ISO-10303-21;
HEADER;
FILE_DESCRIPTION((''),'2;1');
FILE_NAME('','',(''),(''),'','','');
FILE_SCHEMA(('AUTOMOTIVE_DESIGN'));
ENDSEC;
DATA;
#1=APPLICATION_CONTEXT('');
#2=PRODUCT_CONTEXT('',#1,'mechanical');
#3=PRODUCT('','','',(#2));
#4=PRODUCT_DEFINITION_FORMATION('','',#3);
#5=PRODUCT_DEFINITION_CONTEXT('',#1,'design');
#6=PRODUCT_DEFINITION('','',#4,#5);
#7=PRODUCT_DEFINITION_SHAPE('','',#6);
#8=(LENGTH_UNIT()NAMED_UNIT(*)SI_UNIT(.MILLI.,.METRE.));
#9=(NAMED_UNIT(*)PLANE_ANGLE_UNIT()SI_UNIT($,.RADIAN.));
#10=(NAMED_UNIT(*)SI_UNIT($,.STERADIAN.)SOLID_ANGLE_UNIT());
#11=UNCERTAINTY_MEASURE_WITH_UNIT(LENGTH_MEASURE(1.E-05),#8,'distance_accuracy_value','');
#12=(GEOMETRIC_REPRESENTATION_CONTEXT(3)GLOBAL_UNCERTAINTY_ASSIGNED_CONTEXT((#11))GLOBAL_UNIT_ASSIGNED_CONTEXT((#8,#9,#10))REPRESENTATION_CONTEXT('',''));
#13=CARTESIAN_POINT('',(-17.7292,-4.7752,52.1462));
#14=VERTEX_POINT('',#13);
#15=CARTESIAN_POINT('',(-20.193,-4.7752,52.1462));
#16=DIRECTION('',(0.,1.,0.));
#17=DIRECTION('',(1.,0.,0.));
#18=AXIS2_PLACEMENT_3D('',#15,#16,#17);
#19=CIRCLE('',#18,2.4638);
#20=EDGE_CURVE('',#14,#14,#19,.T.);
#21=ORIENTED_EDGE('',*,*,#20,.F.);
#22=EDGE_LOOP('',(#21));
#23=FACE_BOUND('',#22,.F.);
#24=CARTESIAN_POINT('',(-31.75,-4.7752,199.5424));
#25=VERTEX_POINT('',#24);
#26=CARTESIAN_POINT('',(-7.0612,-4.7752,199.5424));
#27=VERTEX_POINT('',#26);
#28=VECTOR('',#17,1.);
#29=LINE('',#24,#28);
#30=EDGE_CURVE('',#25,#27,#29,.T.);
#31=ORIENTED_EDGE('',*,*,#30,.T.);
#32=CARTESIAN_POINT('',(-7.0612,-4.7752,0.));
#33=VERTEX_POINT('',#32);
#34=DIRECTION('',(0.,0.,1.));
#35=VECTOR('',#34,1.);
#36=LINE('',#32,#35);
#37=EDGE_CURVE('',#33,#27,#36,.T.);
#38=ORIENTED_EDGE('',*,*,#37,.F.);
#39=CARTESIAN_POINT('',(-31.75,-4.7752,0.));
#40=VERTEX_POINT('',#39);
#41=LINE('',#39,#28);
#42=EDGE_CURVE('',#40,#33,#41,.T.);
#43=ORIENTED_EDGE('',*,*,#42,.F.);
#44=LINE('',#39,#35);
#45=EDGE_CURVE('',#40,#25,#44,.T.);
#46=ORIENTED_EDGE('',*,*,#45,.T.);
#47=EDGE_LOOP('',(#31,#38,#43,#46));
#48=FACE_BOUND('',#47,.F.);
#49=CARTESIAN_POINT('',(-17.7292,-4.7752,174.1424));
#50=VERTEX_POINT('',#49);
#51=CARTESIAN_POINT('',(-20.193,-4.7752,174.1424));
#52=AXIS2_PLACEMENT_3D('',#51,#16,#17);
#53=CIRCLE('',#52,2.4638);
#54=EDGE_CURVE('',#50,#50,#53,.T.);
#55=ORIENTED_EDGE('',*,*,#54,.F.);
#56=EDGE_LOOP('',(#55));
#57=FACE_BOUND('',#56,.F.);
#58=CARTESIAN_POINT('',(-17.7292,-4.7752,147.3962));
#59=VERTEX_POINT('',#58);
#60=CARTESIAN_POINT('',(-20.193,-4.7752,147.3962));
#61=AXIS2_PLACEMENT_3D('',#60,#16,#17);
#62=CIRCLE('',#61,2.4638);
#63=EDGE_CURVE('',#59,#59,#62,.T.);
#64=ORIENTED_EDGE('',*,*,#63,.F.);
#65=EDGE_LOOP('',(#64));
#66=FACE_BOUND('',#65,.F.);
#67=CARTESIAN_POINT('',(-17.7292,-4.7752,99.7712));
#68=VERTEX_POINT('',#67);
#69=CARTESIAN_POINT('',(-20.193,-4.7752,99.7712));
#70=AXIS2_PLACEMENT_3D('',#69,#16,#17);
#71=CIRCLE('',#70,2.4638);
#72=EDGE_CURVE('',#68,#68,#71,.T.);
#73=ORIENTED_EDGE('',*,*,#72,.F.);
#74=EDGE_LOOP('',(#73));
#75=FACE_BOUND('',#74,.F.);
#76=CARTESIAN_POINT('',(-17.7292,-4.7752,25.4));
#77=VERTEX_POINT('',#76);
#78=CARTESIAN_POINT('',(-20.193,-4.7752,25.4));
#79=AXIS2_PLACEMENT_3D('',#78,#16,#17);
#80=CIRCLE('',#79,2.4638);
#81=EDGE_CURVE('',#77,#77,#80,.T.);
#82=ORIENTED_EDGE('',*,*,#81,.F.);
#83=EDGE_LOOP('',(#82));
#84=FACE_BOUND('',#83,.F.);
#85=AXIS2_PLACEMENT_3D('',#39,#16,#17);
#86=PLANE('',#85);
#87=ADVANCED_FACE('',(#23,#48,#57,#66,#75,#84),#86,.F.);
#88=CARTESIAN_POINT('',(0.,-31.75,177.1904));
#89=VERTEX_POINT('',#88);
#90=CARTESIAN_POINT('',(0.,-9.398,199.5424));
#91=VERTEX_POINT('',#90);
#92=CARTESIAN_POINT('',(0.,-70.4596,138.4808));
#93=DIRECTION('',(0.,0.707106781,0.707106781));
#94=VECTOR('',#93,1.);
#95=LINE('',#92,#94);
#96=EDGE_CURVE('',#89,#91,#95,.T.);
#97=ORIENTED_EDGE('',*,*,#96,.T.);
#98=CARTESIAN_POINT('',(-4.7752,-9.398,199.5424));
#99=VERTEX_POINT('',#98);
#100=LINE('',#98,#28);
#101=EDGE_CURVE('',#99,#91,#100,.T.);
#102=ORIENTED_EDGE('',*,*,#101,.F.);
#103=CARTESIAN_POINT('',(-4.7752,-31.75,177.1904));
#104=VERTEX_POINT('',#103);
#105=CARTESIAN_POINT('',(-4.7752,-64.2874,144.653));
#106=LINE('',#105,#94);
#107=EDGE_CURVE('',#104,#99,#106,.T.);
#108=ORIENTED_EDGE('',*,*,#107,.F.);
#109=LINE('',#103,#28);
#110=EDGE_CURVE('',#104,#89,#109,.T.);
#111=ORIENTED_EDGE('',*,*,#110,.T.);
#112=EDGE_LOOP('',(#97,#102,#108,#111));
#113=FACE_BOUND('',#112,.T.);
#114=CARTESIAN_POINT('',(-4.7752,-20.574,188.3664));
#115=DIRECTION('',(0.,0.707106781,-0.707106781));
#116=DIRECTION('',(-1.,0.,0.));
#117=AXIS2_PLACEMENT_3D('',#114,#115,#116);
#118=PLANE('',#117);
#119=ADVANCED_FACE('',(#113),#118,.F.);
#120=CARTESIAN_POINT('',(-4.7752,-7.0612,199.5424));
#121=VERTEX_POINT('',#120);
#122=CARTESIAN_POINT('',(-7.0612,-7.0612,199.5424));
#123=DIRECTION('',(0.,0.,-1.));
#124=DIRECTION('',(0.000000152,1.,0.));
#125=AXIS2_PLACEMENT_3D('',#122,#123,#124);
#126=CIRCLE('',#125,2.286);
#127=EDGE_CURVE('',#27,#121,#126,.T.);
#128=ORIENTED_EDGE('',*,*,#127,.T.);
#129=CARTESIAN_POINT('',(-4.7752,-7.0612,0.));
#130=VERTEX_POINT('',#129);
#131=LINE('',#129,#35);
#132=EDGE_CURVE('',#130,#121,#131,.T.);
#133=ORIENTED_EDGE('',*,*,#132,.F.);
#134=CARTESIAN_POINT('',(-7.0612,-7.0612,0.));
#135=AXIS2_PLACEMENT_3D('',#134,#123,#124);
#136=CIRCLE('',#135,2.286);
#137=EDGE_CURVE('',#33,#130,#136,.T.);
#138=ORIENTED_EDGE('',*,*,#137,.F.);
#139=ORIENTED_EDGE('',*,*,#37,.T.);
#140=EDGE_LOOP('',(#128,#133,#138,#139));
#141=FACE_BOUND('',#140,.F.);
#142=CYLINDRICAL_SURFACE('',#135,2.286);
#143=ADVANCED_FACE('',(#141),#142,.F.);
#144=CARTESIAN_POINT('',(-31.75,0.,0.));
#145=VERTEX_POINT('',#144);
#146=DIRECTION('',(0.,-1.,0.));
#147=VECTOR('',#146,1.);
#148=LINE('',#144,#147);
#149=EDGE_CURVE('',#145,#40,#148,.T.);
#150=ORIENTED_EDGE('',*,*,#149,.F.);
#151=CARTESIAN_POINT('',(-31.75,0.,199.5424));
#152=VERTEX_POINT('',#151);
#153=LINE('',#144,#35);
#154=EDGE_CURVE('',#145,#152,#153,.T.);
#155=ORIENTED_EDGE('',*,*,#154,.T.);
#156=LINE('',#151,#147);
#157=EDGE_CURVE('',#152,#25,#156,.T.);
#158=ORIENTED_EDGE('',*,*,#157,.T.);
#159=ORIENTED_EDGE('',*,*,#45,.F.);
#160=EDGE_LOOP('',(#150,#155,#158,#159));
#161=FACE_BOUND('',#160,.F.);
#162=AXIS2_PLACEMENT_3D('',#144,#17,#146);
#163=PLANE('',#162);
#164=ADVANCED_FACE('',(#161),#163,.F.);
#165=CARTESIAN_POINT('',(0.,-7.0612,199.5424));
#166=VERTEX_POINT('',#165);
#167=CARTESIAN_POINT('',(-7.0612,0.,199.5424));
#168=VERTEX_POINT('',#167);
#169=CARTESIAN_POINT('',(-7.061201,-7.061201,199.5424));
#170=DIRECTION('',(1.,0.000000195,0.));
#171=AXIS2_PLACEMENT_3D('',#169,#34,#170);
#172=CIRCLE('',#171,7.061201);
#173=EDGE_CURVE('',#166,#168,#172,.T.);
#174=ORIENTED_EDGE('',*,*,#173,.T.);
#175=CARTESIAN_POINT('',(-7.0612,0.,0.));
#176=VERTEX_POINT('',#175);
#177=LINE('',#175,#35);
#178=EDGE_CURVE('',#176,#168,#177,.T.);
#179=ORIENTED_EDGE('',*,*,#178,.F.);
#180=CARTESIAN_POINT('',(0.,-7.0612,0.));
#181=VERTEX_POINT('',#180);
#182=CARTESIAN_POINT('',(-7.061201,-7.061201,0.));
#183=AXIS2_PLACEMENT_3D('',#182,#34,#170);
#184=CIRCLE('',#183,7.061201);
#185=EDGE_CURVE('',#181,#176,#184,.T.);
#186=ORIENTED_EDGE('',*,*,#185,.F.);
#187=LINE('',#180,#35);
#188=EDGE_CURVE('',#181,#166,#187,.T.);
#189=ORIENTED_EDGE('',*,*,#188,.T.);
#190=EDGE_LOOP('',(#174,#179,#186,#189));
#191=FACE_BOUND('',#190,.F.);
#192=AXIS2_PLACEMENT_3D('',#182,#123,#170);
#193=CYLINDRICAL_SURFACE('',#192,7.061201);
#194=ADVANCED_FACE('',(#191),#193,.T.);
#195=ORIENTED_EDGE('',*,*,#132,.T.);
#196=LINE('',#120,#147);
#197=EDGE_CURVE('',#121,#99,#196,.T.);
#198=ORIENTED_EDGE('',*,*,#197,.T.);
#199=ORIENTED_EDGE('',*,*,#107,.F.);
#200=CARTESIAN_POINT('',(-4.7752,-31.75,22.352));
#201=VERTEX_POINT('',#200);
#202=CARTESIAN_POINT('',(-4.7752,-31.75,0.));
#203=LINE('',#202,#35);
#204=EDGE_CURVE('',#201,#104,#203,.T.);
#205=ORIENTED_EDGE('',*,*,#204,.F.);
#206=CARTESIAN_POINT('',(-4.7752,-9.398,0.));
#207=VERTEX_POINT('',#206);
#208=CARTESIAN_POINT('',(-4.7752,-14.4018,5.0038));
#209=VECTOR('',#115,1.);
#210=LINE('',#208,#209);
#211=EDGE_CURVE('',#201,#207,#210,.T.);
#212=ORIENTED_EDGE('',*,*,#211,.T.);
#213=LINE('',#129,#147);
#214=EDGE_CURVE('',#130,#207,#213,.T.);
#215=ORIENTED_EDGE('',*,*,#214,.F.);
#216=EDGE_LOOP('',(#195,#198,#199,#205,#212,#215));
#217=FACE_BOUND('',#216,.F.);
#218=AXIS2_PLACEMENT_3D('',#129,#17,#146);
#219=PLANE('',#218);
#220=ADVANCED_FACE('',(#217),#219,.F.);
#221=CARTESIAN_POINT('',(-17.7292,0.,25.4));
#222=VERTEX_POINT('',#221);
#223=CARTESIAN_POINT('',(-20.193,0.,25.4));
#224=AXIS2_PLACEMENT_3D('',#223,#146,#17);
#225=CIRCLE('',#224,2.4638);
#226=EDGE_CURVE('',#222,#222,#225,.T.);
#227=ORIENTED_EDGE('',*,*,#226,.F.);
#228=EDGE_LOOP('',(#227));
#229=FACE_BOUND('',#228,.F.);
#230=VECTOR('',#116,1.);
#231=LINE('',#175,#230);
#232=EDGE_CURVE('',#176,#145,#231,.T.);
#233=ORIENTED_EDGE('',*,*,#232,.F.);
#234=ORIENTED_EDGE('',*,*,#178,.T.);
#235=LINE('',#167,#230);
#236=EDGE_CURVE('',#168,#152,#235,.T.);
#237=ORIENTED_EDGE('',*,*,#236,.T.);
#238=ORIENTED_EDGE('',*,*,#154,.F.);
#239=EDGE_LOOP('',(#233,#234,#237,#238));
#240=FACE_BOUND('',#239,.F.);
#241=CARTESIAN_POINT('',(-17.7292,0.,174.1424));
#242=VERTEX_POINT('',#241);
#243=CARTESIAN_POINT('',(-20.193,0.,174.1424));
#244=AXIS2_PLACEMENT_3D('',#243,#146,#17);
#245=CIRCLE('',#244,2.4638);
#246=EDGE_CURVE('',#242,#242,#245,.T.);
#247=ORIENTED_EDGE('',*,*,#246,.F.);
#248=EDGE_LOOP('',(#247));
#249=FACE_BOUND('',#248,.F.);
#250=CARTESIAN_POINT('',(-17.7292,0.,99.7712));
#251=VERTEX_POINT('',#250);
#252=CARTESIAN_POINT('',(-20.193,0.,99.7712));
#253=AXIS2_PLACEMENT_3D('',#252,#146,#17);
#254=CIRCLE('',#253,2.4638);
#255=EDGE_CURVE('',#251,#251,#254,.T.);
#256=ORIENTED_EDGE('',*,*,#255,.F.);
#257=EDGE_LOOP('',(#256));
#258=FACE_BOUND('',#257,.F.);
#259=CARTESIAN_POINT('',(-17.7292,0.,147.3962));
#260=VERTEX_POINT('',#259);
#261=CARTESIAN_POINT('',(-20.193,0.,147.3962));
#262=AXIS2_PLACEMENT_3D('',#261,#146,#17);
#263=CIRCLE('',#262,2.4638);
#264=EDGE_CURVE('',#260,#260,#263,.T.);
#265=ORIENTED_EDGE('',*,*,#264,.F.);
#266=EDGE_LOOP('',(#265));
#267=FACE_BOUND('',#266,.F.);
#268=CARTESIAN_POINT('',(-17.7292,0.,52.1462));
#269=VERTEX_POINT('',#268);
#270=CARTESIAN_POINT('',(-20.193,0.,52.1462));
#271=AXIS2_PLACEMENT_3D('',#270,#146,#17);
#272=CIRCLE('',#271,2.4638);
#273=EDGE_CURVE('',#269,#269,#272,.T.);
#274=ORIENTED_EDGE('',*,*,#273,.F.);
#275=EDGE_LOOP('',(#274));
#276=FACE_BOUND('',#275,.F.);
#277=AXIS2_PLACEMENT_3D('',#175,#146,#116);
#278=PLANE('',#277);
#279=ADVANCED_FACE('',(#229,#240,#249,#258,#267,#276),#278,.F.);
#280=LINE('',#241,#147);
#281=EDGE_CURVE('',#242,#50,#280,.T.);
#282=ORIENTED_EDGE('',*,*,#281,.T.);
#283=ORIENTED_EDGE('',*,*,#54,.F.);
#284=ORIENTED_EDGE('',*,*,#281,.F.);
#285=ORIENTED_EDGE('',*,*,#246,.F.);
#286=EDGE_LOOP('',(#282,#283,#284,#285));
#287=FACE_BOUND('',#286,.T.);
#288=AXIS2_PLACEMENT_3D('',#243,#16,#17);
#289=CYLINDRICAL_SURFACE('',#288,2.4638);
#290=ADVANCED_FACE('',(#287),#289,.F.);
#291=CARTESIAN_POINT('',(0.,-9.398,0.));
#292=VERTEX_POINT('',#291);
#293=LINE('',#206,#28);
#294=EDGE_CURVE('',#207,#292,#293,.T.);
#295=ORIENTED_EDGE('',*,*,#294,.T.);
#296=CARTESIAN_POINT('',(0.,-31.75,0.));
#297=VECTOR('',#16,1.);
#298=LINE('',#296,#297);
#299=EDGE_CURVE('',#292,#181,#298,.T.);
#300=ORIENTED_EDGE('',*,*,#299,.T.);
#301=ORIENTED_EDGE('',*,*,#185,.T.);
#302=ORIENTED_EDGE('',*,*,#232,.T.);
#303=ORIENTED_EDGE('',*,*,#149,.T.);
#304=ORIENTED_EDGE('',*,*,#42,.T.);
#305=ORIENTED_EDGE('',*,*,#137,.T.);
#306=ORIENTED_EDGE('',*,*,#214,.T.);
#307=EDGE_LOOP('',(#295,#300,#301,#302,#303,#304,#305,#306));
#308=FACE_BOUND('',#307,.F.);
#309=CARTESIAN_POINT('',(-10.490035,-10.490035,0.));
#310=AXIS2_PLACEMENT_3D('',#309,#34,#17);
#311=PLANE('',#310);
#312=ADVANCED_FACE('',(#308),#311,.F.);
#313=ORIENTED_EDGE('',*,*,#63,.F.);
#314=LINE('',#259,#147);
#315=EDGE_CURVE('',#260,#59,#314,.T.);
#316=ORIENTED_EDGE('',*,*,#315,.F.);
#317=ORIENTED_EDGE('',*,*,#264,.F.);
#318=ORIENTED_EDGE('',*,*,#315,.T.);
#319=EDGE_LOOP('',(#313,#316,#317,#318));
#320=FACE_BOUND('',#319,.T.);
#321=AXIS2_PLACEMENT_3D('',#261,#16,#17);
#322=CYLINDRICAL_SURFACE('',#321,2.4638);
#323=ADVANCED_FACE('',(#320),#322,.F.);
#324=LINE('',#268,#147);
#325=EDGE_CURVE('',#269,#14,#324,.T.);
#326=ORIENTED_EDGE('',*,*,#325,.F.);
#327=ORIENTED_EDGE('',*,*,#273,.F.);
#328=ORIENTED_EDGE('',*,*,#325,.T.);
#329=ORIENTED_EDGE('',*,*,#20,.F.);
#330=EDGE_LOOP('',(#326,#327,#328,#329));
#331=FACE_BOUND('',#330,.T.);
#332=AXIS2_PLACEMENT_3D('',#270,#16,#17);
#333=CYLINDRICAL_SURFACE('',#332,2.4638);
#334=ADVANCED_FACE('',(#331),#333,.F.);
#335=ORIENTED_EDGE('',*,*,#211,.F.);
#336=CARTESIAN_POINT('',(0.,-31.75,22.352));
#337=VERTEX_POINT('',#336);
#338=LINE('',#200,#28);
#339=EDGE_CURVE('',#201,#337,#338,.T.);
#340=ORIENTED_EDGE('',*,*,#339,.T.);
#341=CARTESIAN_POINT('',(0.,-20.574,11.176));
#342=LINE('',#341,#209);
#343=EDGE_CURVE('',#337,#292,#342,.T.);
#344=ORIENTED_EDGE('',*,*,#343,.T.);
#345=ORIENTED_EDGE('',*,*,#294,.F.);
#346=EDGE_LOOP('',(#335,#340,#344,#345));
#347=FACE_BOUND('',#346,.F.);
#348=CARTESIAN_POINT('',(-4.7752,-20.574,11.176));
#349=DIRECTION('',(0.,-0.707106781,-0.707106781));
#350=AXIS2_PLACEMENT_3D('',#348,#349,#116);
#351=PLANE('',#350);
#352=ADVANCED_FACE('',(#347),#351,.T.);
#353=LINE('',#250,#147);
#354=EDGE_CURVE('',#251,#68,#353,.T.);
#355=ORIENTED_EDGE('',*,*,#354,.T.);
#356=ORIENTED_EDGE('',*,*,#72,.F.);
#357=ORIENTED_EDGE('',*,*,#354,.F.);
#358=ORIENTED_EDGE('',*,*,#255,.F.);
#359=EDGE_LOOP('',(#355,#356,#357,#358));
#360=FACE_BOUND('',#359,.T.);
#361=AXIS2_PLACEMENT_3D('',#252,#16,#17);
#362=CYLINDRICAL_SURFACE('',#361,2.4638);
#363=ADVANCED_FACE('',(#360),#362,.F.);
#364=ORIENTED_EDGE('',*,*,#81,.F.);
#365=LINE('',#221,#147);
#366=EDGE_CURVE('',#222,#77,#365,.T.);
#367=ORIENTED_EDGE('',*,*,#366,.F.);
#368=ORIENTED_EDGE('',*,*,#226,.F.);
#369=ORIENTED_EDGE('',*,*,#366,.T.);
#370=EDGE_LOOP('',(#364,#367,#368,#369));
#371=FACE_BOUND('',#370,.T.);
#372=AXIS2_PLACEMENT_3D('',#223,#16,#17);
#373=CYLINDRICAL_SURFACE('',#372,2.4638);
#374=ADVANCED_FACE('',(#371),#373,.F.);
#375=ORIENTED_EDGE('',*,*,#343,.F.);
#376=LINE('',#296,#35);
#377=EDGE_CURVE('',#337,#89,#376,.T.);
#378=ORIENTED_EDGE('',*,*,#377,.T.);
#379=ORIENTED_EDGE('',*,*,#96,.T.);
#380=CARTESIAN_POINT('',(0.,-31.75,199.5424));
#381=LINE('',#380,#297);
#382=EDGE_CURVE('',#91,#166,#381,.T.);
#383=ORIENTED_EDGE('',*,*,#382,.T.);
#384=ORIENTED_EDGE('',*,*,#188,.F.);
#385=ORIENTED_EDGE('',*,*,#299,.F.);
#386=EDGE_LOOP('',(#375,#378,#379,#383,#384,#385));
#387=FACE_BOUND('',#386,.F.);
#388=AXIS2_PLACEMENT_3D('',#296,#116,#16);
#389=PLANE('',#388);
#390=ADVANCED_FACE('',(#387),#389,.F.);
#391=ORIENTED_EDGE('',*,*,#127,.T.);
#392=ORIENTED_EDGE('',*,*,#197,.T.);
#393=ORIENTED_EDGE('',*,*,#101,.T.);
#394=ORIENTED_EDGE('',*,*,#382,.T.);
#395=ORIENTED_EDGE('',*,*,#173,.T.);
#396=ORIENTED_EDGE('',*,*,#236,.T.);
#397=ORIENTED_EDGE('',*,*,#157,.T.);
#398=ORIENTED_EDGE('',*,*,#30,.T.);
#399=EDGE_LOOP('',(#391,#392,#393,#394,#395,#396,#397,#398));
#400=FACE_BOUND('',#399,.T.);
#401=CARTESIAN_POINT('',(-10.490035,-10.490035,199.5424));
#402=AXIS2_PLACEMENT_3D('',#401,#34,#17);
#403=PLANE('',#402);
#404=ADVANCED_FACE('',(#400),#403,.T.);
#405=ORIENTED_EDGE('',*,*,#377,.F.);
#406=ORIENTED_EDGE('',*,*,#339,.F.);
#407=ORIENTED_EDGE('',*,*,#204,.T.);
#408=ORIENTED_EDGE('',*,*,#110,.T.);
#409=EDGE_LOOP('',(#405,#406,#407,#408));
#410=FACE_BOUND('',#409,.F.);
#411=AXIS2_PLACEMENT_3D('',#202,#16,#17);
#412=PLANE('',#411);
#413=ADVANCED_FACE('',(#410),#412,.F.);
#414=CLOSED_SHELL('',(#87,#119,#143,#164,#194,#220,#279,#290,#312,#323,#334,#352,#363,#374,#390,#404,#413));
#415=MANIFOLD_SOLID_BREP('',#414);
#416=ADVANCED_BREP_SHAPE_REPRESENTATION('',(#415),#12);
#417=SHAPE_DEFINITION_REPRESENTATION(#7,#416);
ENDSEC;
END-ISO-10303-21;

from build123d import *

# Parameters (mm, degrees)
F1_DEPTH = 199.5424
F2_SIZE  = 22.352
F3_R     = 2.4638
F4_DEPTH = 25.4


with BuildPart() as f1:
    # F0 (on Top) → F1 (new body)
    with BuildSketch(Plane.XY):
        with BuildLine():
            Line((0, -31.75), (0, -7.0612))
            ThreePointArc((0, -7.0612), (-2.068178, -2.068178), (-7.0612, 0))
            Line((-7.0612, 0), (-31.75, 0))
            Line((-31.75, 0), (-31.75, -4.7752))
            Line((-31.75, -4.7752), (-7.0612, -4.7752))
            ThreePointArc((-7.0612, -4.7752), (-5.444754, -5.444754), (-4.7752, -7.0612))
            Line((-4.7752, -7.0612), (-4.7752, -31.75))
            Line((-4.7752, -31.75), (0, -31.75))
        make_face()
    extrude(amount=F1_DEPTH)

    # F2
    f2_edges = [f1.edges().sort_by_distance(p)[0] for p in [
        (-2.3876, -31.75, 199.5424),
        (-2.3876, -31.75, 0),
    ]]
    chamfer(f2_edges, length=F2_SIZE)

    # F3 (on Front) → F4 (cut)
    with BuildSketch(Plane.XZ):
        with Locations((-20.193, 174.1424)):
            Circle(F3_R)
        with Locations((-20.193, 99.7712)):
            Circle(F3_R)
        with Locations((-20.193, 25.4)):
            Circle(F3_R)
        with Locations((-20.193, 147.3962)):
            Circle(F3_R)
        with Locations((-20.193, 52.1462)):
            Circle(F3_R)
    extrude(amount=F4_DEPTH, mode=Mode.SUBTRACT)


solid = f1.part
